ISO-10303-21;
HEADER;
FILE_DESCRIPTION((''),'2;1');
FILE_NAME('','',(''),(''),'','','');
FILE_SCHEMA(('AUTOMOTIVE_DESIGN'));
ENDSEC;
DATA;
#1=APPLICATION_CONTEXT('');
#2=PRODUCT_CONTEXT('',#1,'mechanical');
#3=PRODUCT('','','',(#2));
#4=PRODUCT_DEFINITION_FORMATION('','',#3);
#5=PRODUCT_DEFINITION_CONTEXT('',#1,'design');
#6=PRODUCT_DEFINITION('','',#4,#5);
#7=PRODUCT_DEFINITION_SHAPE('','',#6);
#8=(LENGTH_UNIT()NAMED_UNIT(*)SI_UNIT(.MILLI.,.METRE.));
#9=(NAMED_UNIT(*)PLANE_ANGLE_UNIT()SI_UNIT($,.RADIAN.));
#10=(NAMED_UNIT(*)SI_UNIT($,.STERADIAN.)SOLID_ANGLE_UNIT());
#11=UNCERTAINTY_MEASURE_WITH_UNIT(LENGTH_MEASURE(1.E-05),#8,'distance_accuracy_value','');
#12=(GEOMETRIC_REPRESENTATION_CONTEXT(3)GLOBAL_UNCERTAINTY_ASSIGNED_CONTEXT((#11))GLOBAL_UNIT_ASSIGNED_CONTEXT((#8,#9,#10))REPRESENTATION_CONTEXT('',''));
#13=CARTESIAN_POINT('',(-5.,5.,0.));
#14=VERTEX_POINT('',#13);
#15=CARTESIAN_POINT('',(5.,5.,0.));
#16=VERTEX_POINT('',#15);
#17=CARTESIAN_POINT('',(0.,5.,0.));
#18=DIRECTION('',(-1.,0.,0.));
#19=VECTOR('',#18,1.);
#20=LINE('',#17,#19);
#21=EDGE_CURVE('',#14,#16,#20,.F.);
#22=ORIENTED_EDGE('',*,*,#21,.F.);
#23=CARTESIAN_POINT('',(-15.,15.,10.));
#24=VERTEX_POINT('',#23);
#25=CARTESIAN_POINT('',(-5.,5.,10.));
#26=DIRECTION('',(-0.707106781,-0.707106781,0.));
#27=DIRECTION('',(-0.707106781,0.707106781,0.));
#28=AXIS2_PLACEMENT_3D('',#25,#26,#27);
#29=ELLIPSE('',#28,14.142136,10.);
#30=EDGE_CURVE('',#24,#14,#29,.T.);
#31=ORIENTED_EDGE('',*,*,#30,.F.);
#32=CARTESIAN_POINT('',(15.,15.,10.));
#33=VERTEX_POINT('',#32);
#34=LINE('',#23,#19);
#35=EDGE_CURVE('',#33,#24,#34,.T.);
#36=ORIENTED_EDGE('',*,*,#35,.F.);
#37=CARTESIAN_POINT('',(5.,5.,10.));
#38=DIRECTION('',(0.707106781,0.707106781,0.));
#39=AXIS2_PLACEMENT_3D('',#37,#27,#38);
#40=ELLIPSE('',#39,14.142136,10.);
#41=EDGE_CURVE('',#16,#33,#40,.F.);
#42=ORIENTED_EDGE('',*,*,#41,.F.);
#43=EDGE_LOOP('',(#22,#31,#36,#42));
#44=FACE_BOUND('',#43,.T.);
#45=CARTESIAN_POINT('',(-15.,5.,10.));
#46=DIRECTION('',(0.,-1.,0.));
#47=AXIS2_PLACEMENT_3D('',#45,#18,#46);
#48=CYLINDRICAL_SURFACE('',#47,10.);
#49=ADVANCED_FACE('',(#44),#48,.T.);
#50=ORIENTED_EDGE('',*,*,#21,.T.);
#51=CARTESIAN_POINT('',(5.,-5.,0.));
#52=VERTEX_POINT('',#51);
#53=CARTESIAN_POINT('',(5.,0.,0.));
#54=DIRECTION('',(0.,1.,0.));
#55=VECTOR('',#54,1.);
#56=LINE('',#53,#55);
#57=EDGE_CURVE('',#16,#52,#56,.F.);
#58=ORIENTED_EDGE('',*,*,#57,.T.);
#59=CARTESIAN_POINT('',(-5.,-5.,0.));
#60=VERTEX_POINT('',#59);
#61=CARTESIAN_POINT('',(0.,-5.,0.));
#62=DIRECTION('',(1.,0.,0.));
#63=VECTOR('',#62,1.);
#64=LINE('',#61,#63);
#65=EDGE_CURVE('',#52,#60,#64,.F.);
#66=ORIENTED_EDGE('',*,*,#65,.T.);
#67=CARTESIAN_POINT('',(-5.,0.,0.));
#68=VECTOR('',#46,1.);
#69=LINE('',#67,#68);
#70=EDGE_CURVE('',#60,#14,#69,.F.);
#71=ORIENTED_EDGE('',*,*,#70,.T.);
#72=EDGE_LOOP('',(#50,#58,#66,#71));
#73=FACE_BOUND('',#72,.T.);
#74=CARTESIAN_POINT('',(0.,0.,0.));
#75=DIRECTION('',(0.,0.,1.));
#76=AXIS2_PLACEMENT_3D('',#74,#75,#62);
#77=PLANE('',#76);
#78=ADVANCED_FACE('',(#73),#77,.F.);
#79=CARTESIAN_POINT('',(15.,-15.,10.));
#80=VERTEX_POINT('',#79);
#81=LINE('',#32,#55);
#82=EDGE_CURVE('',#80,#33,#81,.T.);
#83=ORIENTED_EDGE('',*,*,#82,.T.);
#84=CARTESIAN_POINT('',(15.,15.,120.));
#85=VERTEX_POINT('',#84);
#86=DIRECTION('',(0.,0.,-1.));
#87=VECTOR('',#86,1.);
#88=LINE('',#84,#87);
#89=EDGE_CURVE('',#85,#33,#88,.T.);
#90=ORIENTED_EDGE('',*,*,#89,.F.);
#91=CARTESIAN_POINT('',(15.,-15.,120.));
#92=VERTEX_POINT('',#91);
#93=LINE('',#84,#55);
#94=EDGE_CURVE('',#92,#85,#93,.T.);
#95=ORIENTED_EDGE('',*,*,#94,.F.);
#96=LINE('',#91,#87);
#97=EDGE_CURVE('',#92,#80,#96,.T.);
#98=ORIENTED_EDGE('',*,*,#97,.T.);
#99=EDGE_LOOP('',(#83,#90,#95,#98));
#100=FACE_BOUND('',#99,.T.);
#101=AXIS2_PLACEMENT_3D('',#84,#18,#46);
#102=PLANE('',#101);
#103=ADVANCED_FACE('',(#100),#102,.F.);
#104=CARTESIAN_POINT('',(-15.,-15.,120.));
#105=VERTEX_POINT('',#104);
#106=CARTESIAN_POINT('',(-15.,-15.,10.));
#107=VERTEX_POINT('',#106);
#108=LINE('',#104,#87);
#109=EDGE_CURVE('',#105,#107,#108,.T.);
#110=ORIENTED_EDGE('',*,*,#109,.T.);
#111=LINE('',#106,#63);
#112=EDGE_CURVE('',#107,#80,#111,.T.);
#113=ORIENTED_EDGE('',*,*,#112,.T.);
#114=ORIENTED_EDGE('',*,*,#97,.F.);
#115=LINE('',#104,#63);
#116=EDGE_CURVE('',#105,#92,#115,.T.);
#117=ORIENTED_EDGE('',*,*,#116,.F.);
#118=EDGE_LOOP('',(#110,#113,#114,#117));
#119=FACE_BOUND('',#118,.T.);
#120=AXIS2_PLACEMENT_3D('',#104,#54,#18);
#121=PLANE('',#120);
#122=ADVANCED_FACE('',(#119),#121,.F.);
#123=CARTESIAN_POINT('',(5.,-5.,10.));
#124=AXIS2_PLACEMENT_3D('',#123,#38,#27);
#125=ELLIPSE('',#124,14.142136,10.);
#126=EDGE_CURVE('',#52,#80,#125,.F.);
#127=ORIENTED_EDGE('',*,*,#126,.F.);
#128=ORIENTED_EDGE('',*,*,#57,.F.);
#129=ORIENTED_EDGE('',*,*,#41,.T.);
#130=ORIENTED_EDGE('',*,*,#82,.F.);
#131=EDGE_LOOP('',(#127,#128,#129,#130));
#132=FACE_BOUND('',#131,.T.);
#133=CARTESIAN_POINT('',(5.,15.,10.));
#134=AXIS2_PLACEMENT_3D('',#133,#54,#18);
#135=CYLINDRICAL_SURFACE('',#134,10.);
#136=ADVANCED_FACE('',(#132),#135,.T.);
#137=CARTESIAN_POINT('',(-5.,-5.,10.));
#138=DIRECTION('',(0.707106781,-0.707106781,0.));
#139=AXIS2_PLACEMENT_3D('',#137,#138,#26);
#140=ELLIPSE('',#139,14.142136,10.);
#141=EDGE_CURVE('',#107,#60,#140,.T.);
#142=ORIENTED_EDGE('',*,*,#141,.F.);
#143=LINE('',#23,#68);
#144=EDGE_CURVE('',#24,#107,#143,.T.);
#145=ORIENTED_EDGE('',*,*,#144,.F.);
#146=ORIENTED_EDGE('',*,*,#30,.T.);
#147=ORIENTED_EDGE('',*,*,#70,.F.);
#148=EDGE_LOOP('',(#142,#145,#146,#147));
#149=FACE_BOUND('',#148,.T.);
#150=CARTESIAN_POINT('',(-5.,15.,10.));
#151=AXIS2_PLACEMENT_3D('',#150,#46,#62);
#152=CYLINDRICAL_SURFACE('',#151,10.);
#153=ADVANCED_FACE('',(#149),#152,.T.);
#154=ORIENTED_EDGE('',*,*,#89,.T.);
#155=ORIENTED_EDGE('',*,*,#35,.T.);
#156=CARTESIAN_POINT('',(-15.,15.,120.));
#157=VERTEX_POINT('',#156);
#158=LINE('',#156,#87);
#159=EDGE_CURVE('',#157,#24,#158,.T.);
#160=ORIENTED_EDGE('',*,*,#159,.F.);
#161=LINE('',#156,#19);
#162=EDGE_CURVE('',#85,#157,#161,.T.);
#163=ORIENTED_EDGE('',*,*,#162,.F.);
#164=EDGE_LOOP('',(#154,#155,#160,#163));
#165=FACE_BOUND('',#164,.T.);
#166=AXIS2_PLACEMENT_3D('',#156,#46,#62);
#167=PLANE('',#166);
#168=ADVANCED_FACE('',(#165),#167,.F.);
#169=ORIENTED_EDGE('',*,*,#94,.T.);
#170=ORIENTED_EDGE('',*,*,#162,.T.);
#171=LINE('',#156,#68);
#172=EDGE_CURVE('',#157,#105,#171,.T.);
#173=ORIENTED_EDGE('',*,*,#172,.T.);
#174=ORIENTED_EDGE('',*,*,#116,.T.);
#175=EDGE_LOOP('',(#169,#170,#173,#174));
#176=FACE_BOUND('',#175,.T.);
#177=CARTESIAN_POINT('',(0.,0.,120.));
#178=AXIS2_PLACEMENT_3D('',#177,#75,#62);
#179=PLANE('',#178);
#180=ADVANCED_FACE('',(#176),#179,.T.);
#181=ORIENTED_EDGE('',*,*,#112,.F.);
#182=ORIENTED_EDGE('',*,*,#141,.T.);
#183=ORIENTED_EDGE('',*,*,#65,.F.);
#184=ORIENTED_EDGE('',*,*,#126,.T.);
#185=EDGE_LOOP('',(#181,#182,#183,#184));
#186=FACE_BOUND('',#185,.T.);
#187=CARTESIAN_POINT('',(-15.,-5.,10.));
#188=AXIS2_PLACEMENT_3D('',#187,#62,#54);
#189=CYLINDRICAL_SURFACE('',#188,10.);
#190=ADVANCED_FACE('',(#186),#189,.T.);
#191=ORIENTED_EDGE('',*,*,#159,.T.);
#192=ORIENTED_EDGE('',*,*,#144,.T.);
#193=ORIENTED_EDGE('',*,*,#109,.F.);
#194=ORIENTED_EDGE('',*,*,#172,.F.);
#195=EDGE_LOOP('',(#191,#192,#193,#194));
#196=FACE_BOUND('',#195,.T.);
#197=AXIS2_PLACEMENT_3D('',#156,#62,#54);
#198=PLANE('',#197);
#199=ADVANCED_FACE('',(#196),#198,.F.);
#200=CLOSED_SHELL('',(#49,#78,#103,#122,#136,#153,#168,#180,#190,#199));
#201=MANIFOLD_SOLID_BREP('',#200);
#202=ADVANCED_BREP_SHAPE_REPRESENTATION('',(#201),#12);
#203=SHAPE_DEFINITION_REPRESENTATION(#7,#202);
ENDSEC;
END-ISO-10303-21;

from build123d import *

# Parameters (mm, degrees)
ESQUISSE1_W        = 30
ESQUISSE1_H        = 30
BOSS_EXTRU_1_DEPTH = 120
CONG_2_R           = 10


with BuildPart() as part:
    # Esquisse1 → Boss.-Extru.1 (new body)
    with BuildSketch(Plane.XY):
        Rectangle(ESQUISSE1_W, ESQUISSE1_H)
    extrude(amount=BOSS_EXTRU_1_DEPTH)

    # Congé2
    cong_2_edges = [part.edges().sort_by_distance(p)[0] for p in [
        (0, 15, 0),
        (15, 0, 0),
        (0, -15, 0),
        (-15, 0, 0),
    ]]
    fillet(cong_2_edges, radius=CONG_2_R)


solid = part.part
